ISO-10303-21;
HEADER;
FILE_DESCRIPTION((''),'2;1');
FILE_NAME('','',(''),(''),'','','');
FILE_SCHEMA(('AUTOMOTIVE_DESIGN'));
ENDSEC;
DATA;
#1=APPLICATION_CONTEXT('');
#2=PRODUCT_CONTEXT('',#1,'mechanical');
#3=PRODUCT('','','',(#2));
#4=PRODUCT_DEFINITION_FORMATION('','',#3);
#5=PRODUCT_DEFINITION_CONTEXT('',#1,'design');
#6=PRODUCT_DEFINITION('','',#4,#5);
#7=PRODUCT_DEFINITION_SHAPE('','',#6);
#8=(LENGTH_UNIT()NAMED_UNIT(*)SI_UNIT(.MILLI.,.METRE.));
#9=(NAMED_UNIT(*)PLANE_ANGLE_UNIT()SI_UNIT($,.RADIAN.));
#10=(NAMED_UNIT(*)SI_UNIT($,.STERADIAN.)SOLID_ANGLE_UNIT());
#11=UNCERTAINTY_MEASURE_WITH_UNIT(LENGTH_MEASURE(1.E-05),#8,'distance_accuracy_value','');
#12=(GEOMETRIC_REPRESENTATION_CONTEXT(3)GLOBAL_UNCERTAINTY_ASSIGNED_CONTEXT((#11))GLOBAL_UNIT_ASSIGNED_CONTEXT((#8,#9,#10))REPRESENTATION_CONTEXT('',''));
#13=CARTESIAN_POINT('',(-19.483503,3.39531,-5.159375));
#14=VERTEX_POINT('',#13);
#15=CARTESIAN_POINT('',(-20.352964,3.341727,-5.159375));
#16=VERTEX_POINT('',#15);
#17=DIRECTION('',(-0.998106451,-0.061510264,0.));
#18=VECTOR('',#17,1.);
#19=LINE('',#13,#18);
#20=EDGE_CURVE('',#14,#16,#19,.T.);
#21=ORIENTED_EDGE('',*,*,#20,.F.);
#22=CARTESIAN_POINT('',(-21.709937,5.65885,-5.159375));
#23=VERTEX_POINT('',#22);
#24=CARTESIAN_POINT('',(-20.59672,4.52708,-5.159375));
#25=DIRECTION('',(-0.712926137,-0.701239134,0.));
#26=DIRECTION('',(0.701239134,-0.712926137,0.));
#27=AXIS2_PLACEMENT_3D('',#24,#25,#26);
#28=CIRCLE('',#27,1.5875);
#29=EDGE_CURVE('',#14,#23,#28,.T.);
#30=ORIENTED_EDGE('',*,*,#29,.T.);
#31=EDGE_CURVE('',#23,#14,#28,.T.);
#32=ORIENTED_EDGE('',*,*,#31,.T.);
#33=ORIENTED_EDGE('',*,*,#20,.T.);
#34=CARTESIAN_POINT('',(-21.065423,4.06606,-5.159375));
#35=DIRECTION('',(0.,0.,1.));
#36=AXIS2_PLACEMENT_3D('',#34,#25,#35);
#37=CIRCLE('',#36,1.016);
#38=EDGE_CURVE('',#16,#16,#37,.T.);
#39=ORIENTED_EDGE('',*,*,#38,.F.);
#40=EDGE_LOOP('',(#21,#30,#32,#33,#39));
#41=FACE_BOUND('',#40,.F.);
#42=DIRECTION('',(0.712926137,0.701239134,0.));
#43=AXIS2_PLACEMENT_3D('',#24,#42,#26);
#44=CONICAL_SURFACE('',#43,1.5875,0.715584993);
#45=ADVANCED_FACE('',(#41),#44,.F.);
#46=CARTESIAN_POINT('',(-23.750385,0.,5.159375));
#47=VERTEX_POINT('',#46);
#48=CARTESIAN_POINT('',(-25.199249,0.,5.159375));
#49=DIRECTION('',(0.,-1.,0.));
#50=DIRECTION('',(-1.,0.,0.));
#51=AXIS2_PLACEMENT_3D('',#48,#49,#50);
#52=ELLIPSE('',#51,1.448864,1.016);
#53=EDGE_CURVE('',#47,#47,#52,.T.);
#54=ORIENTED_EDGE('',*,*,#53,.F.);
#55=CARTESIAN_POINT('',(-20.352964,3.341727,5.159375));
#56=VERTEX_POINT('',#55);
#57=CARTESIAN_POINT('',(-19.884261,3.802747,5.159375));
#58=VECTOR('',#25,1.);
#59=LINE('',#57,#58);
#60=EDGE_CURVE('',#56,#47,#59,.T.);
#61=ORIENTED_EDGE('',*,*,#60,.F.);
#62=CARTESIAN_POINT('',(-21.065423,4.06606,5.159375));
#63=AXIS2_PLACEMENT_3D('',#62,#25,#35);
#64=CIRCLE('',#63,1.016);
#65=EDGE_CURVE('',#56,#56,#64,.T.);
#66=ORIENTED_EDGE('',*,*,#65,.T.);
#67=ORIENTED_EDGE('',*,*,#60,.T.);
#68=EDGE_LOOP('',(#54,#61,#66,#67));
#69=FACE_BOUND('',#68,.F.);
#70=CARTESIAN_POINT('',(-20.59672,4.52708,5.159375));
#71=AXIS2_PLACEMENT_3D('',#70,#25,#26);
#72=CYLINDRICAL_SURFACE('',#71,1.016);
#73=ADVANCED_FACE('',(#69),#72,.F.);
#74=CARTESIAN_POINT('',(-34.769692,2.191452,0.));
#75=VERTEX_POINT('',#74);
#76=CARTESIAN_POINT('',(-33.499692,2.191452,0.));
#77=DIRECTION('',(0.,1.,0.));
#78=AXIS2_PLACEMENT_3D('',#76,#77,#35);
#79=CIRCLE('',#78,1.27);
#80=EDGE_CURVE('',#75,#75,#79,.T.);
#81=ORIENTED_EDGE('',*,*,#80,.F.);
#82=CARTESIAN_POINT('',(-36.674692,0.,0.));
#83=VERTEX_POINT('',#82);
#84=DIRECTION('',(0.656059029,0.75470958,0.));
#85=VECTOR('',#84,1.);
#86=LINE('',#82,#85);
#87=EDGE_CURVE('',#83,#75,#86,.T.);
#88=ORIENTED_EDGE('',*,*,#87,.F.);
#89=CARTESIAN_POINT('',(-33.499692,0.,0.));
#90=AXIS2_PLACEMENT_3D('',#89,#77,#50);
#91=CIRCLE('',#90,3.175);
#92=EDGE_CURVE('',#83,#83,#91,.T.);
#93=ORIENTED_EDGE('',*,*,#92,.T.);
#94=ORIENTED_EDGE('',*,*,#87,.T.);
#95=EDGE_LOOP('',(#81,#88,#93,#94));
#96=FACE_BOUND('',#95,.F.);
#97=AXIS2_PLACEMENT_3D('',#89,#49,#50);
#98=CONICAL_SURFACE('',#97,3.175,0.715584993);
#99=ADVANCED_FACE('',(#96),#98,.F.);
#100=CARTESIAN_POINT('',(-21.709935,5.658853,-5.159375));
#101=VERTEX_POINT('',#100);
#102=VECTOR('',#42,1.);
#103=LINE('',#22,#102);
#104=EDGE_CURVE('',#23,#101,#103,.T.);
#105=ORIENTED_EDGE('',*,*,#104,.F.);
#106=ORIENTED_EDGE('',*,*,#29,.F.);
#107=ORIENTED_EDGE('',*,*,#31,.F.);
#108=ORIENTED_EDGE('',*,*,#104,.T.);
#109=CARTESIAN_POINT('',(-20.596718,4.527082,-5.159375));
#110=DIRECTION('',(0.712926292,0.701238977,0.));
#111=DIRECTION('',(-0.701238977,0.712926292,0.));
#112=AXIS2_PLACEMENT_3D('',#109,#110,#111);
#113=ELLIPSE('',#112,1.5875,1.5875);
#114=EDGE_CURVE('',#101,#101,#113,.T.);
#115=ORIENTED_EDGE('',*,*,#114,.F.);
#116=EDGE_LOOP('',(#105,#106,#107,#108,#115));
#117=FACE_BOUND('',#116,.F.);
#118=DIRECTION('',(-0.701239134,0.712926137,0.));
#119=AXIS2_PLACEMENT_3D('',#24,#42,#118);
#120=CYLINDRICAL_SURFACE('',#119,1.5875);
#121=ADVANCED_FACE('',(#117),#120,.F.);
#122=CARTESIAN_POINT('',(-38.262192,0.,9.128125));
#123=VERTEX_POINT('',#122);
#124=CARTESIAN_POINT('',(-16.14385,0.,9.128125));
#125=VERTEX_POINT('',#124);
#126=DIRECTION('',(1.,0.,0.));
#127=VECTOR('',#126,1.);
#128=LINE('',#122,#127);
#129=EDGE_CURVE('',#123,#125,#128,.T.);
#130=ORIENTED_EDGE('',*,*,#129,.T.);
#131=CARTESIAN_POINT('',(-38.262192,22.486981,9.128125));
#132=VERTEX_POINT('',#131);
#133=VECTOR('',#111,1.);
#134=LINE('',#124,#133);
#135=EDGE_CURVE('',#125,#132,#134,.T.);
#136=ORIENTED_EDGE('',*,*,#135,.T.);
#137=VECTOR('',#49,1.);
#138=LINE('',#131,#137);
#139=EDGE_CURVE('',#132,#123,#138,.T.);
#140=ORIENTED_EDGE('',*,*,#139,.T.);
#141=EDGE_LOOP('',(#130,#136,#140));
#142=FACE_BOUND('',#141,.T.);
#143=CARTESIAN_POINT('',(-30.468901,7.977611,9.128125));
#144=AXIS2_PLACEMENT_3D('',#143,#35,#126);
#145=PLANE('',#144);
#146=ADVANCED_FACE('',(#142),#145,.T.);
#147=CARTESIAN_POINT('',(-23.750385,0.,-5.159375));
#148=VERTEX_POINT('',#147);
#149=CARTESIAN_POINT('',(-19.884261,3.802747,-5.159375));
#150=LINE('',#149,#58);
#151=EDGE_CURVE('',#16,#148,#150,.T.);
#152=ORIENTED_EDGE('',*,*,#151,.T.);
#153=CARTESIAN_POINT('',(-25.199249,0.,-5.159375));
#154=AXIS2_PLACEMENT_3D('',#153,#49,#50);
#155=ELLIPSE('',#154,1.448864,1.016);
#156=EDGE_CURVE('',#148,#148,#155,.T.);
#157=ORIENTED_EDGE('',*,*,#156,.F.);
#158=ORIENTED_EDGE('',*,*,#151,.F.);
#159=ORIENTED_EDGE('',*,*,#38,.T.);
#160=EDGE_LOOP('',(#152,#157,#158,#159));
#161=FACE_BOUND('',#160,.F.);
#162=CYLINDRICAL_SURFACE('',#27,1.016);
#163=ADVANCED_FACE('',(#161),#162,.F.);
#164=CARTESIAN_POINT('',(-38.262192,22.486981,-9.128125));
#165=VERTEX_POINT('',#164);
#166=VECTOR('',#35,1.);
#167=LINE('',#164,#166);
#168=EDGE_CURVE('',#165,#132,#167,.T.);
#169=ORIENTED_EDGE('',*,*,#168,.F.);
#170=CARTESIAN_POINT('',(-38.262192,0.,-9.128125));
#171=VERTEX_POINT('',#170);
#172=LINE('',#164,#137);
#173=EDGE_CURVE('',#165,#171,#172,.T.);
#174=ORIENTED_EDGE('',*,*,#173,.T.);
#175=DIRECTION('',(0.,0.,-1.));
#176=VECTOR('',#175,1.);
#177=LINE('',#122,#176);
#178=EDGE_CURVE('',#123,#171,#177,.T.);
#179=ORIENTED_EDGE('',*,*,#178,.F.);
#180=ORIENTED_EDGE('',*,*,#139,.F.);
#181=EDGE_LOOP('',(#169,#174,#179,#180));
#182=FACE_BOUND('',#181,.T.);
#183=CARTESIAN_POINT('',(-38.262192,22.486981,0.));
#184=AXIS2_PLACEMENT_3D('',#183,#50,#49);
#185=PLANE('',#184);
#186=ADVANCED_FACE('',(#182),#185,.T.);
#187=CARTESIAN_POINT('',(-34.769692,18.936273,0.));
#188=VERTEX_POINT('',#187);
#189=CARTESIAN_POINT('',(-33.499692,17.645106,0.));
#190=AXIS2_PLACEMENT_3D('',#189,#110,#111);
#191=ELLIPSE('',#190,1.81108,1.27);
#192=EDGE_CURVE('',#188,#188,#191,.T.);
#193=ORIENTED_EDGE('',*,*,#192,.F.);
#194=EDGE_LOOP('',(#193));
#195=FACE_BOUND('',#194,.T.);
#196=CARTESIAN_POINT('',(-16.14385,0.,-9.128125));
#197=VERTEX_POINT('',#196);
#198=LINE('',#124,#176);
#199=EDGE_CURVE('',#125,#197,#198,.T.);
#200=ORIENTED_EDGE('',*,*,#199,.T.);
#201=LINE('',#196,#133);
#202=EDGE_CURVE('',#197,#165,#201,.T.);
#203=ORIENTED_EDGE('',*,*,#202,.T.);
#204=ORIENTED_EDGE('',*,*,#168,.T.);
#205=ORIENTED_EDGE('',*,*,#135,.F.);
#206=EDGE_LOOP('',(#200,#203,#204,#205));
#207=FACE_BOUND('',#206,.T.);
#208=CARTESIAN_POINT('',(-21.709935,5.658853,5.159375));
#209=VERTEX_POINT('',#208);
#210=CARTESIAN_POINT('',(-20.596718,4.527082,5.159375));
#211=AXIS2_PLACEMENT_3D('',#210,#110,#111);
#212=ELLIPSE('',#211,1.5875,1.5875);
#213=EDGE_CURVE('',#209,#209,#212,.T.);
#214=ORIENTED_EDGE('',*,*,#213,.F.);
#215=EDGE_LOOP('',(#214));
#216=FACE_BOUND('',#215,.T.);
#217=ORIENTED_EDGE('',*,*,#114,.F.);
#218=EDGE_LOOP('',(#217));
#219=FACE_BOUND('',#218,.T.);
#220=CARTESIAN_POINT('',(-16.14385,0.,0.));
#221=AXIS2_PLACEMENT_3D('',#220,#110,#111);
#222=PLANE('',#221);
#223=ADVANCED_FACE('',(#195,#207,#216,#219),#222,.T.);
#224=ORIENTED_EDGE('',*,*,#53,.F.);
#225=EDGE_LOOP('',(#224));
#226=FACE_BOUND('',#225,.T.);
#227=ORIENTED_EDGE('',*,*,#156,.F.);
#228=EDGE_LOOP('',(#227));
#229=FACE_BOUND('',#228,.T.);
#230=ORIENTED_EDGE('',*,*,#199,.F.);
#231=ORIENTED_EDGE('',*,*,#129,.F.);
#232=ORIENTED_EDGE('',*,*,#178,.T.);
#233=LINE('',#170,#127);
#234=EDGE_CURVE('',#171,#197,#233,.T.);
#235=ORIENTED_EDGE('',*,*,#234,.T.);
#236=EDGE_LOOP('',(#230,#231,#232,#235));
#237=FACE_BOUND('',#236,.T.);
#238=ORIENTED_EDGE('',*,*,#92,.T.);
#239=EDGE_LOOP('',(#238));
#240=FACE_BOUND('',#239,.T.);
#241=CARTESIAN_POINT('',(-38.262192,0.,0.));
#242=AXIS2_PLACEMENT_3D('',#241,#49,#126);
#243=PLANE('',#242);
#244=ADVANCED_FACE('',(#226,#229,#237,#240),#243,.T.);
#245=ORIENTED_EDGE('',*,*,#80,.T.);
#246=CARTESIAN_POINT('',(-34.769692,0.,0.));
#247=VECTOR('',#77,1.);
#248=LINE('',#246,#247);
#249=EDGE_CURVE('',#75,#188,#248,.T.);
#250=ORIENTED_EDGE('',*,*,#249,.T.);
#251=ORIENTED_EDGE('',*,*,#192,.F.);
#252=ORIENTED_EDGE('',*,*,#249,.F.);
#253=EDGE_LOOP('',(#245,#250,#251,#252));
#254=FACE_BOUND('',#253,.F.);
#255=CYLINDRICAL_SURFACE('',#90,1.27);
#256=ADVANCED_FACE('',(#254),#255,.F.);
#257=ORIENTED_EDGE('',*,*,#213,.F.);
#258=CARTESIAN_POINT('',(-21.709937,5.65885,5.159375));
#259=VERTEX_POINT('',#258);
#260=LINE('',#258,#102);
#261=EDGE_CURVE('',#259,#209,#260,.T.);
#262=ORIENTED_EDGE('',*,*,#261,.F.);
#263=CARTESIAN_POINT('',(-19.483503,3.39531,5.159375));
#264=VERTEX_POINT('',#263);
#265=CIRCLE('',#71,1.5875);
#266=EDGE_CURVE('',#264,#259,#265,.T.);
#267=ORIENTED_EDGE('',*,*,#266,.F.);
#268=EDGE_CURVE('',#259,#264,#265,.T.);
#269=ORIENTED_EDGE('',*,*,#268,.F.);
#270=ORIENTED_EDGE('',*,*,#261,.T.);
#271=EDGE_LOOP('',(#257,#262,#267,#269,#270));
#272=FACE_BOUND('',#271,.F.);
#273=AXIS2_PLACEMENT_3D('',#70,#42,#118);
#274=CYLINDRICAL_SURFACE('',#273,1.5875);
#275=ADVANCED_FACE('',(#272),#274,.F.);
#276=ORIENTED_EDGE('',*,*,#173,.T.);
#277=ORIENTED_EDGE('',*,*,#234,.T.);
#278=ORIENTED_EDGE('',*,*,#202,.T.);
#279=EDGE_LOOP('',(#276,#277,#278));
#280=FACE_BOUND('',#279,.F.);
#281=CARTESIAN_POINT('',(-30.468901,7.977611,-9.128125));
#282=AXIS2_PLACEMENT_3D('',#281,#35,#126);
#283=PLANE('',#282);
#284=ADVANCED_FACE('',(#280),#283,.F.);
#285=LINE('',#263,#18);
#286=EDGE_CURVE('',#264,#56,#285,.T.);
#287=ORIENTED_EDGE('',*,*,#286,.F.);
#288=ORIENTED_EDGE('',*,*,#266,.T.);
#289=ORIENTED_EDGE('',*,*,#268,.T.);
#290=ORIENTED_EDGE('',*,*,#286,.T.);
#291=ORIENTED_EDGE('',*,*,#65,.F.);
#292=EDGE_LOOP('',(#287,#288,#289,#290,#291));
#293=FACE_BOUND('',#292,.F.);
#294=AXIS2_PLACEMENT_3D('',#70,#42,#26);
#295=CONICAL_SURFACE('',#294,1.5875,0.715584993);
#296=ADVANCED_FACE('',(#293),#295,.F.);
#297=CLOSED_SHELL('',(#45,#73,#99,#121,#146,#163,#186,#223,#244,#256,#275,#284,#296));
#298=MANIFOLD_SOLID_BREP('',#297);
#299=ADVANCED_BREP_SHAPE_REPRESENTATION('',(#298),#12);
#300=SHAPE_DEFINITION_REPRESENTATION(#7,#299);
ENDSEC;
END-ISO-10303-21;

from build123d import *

# Parameters (mm, degrees)
F1_DEPTH       = 9.128125
F3_D           = 2.032
F3_CSINK_D     = 3.175
F3_CSINK_ANGLE = 82
F5_D           = 2.54
F5_CSINK_D     = 6.35
F5_CSINK_ANGLE = 82


with BuildPart() as f1:
    # F0 (on Top) → F1 (new body, symmetric)
    with BuildSketch(Plane.XY):
        Polygon((-16.14385, 0), (-38.262192, 22.486981), (-38.262192, 0), align=None)
    extrude(amount=F1_DEPTH, both=True)

    # F3 (through all)
    with Locations(Plane(origin=(-8.205336, -8.070822, 0), x_dir=(-0.701239, 0.712926, 0), z_dir=(0.712926, 0.701239, 0))):
        with Locations((17.670697, -5.159375), (17.670697, 5.159375)):
            CounterSinkHole(F3_D / 2, F3_CSINK_D / 2, counter_sink_angle=F3_CSINK_ANGLE)

    # F5 (through all)
    with Locations(Plane.XZ):
        with Locations((-33.499692, 0)):
            CounterSinkHole(F5_D / 2, F5_CSINK_D / 2, counter_sink_angle=F5_CSINK_ANGLE)


solid = f1.part
